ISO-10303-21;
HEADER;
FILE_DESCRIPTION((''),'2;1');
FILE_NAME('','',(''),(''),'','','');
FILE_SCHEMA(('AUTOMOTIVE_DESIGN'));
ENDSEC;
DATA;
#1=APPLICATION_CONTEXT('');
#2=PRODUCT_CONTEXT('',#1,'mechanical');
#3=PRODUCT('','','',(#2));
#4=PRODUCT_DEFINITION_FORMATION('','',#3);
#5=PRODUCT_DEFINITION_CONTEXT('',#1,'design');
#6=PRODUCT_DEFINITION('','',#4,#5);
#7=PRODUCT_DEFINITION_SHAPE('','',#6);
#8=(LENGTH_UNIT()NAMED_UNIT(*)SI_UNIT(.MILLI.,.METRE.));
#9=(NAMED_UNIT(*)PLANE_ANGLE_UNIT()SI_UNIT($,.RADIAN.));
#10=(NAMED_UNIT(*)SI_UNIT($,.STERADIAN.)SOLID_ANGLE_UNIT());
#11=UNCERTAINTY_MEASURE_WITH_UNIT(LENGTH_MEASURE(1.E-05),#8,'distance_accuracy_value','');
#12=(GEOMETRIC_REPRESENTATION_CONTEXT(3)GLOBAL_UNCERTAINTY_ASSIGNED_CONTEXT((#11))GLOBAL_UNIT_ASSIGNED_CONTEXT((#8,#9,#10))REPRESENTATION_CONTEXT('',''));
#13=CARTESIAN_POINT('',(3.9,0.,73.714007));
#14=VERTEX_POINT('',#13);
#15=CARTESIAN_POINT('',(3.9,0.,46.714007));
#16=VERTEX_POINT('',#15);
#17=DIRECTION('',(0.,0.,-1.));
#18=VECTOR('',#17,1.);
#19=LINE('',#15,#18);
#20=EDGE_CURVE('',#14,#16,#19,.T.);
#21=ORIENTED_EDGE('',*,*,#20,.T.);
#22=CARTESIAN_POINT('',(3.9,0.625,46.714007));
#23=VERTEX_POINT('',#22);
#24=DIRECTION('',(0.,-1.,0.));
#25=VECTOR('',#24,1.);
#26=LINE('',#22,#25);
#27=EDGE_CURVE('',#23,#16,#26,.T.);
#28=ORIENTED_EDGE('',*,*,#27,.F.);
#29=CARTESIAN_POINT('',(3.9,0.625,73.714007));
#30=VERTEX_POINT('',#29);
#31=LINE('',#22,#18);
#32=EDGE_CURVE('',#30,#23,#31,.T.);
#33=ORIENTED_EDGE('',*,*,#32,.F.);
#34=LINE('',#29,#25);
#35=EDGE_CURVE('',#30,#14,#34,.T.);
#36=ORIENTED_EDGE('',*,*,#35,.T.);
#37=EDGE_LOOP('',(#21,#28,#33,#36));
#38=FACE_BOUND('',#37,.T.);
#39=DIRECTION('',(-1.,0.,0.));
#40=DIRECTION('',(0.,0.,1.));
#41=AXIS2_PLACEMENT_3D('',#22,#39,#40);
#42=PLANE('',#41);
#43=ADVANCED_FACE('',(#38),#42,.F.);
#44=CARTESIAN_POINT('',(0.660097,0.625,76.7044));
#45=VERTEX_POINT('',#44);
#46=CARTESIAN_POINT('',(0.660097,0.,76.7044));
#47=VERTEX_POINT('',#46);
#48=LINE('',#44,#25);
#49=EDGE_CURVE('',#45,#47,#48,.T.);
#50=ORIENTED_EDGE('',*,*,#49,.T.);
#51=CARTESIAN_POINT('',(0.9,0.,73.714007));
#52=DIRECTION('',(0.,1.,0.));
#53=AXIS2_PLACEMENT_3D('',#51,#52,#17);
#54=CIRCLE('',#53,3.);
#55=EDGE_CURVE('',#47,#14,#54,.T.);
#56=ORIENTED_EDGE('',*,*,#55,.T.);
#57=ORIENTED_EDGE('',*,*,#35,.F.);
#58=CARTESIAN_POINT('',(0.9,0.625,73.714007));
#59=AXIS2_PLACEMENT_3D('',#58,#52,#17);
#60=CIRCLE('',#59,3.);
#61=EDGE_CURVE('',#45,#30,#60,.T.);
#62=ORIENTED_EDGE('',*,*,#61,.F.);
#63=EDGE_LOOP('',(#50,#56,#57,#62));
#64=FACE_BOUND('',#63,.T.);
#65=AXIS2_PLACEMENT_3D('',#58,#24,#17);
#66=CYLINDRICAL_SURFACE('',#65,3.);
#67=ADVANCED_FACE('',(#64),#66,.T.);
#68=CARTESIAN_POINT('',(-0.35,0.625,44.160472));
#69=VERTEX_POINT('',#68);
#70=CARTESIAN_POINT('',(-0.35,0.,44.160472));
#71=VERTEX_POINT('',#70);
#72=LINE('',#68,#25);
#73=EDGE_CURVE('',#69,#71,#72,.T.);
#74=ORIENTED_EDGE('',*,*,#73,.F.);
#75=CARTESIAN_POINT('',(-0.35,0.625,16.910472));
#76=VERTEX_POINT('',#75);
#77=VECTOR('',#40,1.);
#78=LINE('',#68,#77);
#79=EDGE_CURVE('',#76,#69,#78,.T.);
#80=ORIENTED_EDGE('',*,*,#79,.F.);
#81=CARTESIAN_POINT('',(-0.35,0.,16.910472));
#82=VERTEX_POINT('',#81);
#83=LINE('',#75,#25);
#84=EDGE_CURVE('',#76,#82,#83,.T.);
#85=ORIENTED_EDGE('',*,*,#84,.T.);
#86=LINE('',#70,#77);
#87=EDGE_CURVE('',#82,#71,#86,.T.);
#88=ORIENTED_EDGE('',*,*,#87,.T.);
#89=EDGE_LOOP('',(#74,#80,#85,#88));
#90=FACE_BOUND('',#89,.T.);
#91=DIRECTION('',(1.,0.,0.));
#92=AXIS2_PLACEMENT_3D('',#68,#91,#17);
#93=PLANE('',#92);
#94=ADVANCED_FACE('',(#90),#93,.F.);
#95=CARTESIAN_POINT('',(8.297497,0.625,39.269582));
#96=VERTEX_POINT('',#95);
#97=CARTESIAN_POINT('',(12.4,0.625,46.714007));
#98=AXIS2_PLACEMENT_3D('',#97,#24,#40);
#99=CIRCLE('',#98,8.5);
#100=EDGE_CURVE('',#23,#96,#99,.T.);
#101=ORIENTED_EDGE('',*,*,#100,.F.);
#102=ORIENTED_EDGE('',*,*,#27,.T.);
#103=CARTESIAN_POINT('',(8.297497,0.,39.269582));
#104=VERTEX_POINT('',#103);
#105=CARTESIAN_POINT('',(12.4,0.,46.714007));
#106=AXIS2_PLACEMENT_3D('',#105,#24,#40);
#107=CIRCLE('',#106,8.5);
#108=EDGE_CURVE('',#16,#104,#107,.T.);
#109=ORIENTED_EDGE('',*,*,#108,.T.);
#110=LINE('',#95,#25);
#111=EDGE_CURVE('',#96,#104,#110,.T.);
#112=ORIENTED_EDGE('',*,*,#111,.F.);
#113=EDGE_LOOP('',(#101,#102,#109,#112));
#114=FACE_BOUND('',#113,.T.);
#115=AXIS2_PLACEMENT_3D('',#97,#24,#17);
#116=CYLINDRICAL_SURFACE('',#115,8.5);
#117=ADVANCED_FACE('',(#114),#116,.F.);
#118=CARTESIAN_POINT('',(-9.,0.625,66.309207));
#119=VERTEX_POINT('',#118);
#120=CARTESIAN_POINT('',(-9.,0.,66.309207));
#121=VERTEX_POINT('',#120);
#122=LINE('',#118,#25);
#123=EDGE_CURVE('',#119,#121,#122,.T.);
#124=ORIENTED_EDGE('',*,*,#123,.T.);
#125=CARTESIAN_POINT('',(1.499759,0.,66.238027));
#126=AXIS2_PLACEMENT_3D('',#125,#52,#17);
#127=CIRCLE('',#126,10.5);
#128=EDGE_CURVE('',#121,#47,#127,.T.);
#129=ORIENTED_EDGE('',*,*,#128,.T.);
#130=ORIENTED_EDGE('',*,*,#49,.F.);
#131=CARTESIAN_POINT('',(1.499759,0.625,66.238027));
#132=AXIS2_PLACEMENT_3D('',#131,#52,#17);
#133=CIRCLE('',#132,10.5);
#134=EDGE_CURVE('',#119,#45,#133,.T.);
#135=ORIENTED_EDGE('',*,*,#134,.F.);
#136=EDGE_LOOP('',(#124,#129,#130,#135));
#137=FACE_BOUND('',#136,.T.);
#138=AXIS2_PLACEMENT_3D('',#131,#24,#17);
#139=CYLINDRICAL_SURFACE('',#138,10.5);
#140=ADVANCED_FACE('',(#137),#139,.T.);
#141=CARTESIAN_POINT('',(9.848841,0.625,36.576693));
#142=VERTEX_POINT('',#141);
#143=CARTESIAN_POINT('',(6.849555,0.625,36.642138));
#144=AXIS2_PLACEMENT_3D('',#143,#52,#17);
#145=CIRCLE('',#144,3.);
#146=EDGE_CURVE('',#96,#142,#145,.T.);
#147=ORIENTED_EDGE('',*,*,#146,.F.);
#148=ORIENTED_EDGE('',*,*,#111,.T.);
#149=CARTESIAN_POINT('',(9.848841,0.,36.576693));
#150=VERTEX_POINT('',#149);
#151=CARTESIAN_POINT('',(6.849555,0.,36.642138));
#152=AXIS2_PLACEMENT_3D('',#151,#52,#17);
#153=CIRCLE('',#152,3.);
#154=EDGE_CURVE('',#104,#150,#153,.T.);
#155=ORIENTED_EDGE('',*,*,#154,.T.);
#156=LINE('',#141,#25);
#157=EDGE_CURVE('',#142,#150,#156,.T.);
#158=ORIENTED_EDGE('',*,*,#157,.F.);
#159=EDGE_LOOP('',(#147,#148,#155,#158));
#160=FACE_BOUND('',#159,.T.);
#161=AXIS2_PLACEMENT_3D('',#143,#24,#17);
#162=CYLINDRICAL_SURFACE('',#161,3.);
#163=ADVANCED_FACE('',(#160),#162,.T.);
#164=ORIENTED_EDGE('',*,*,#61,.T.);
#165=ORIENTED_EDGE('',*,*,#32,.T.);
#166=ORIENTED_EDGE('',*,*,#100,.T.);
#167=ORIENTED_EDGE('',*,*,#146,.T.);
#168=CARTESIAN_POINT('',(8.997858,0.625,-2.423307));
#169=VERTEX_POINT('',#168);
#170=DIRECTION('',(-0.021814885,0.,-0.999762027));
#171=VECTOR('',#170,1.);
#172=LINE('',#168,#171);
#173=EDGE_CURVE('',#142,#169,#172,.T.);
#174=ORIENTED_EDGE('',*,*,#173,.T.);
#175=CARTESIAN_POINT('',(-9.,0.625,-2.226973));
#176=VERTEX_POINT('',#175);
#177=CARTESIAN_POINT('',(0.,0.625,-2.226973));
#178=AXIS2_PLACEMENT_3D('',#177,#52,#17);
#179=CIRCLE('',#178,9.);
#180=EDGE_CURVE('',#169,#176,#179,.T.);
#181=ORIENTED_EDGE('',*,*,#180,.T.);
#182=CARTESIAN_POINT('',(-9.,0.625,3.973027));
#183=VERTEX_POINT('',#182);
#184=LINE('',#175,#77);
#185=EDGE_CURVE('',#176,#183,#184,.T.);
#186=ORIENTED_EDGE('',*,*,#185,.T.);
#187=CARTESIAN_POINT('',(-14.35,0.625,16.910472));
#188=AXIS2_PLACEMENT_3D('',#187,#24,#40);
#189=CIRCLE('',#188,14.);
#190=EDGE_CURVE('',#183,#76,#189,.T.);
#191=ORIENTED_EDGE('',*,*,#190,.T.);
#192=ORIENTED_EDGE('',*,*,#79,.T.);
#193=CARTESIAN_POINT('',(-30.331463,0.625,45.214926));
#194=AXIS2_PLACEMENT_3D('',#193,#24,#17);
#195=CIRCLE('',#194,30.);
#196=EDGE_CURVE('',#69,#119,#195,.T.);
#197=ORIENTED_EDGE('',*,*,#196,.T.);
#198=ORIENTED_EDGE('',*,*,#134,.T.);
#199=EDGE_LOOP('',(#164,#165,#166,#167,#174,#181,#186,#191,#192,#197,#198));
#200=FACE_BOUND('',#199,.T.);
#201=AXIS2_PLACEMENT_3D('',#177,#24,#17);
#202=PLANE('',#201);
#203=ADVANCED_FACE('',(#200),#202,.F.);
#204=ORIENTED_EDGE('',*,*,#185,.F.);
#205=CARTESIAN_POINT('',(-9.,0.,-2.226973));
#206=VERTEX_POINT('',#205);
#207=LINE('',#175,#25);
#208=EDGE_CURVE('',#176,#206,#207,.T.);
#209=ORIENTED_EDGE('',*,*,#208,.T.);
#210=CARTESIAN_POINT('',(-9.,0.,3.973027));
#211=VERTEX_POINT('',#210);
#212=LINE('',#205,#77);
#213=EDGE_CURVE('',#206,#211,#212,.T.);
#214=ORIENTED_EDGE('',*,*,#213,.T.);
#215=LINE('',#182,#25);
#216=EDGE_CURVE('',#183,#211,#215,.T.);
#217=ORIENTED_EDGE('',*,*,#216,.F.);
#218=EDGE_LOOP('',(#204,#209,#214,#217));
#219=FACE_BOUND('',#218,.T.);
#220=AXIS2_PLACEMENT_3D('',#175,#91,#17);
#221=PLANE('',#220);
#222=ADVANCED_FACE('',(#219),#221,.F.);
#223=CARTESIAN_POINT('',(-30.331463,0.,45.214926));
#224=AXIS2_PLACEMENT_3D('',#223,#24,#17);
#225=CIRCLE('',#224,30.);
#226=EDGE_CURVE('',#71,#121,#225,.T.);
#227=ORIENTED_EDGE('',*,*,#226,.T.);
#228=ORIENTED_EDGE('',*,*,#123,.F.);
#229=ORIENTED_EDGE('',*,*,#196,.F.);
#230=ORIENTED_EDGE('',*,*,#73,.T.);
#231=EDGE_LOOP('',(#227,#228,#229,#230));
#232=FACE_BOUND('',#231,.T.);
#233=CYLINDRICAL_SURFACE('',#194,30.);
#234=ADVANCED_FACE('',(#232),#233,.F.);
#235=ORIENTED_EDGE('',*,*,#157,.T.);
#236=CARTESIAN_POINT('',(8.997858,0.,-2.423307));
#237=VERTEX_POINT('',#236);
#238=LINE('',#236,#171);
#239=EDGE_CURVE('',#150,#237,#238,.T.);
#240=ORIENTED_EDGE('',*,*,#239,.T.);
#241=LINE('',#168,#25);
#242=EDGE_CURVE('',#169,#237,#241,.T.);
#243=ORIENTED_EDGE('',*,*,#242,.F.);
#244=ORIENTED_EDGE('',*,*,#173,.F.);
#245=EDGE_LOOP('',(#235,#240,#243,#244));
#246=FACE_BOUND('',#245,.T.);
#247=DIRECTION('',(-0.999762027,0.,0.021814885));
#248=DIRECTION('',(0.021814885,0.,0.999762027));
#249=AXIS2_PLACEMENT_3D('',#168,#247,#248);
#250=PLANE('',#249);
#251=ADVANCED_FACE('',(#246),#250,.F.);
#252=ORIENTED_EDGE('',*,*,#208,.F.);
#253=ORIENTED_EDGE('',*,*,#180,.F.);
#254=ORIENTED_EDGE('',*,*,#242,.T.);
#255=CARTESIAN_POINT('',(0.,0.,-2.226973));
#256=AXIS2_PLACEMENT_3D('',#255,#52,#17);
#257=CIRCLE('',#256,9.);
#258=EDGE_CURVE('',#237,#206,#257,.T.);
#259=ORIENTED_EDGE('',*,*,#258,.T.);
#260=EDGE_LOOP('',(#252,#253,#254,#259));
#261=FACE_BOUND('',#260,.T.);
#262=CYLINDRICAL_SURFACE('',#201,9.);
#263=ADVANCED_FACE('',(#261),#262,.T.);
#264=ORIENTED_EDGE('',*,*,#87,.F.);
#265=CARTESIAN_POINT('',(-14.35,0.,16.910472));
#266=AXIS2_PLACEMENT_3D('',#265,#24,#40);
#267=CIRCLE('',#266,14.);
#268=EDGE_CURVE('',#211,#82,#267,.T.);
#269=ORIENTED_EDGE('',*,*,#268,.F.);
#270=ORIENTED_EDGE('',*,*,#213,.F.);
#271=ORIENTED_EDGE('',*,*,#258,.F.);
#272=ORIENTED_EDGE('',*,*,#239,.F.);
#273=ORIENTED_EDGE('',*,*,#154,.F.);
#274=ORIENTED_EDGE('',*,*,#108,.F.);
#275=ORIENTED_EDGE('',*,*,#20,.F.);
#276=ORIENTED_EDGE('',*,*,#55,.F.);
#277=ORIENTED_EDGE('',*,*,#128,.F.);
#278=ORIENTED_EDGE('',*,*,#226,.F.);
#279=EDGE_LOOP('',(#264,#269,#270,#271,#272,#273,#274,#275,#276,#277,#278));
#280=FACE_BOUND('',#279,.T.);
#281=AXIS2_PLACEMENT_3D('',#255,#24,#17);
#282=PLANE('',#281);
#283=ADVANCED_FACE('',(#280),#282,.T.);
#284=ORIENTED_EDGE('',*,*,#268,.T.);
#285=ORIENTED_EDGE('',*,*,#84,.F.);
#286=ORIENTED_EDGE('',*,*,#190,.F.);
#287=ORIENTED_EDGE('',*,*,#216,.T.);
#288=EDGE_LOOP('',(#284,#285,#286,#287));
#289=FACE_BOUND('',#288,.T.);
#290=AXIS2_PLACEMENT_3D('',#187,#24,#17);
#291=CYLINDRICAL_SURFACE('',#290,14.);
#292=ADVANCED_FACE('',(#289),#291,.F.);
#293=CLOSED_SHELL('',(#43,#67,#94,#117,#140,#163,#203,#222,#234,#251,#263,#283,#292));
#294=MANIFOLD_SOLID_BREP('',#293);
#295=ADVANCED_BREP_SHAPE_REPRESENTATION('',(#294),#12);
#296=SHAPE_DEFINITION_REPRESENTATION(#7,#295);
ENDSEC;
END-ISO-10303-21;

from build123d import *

# Parameters (mm, degrees)
BOSS_EXTRUDE1_DEPTH = 0.625


with BuildPart() as part:
    # Sketch1 → Boss-Extrude1 (new body)
    with BuildSketch(Plane(origin=(0, 0, 0), x_dir=(1, 0, 0), z_dir=(0, 1, 0))):
        with BuildLine():
            Line((8.997858244, 2.423307145), (9.848841271, -36.576692855))
            ThreePointArc((9.848841271, -36.576692855), (9.449049837, -38.139678019), (8.297497314, -39.26958182))
            ThreePointArc((8.297497314, -39.26958182), (5.081486735, -42.390887707), (3.9, -46.714007366))
            Line((3.9, -46.714007366), (3.9, -73.714007366))
            ThreePointArc((3.9, -73.714007366), (2.934734568, -75.918515302), (0.660096509, -76.704399701))
            ThreePointArc((0.660096509, -76.704399701), (-6.19183571, -73.385709721), (-9, -66.309206939))
            ThreePointArc((-9, -66.309206939), (-2.386951858, -56.128417461), (-0.35, -44.160472472))
            Line((-0.35, -44.160472472), (-0.35, -16.910472472))
            ThreePointArc((-0.35, -16.910472472), (-2.711701155, -9.129084421), (-9, -3.97302682))
            Line((-9, -3.97302682), (-9, 2.22697318))
            ThreePointArc((-9, 2.22697318), (-0.098172823, 11.226437725), (8.997858244, 2.423307145))
        make_face()
    extrude(amount=BOSS_EXTRUDE1_DEPTH)


solid = part.part
